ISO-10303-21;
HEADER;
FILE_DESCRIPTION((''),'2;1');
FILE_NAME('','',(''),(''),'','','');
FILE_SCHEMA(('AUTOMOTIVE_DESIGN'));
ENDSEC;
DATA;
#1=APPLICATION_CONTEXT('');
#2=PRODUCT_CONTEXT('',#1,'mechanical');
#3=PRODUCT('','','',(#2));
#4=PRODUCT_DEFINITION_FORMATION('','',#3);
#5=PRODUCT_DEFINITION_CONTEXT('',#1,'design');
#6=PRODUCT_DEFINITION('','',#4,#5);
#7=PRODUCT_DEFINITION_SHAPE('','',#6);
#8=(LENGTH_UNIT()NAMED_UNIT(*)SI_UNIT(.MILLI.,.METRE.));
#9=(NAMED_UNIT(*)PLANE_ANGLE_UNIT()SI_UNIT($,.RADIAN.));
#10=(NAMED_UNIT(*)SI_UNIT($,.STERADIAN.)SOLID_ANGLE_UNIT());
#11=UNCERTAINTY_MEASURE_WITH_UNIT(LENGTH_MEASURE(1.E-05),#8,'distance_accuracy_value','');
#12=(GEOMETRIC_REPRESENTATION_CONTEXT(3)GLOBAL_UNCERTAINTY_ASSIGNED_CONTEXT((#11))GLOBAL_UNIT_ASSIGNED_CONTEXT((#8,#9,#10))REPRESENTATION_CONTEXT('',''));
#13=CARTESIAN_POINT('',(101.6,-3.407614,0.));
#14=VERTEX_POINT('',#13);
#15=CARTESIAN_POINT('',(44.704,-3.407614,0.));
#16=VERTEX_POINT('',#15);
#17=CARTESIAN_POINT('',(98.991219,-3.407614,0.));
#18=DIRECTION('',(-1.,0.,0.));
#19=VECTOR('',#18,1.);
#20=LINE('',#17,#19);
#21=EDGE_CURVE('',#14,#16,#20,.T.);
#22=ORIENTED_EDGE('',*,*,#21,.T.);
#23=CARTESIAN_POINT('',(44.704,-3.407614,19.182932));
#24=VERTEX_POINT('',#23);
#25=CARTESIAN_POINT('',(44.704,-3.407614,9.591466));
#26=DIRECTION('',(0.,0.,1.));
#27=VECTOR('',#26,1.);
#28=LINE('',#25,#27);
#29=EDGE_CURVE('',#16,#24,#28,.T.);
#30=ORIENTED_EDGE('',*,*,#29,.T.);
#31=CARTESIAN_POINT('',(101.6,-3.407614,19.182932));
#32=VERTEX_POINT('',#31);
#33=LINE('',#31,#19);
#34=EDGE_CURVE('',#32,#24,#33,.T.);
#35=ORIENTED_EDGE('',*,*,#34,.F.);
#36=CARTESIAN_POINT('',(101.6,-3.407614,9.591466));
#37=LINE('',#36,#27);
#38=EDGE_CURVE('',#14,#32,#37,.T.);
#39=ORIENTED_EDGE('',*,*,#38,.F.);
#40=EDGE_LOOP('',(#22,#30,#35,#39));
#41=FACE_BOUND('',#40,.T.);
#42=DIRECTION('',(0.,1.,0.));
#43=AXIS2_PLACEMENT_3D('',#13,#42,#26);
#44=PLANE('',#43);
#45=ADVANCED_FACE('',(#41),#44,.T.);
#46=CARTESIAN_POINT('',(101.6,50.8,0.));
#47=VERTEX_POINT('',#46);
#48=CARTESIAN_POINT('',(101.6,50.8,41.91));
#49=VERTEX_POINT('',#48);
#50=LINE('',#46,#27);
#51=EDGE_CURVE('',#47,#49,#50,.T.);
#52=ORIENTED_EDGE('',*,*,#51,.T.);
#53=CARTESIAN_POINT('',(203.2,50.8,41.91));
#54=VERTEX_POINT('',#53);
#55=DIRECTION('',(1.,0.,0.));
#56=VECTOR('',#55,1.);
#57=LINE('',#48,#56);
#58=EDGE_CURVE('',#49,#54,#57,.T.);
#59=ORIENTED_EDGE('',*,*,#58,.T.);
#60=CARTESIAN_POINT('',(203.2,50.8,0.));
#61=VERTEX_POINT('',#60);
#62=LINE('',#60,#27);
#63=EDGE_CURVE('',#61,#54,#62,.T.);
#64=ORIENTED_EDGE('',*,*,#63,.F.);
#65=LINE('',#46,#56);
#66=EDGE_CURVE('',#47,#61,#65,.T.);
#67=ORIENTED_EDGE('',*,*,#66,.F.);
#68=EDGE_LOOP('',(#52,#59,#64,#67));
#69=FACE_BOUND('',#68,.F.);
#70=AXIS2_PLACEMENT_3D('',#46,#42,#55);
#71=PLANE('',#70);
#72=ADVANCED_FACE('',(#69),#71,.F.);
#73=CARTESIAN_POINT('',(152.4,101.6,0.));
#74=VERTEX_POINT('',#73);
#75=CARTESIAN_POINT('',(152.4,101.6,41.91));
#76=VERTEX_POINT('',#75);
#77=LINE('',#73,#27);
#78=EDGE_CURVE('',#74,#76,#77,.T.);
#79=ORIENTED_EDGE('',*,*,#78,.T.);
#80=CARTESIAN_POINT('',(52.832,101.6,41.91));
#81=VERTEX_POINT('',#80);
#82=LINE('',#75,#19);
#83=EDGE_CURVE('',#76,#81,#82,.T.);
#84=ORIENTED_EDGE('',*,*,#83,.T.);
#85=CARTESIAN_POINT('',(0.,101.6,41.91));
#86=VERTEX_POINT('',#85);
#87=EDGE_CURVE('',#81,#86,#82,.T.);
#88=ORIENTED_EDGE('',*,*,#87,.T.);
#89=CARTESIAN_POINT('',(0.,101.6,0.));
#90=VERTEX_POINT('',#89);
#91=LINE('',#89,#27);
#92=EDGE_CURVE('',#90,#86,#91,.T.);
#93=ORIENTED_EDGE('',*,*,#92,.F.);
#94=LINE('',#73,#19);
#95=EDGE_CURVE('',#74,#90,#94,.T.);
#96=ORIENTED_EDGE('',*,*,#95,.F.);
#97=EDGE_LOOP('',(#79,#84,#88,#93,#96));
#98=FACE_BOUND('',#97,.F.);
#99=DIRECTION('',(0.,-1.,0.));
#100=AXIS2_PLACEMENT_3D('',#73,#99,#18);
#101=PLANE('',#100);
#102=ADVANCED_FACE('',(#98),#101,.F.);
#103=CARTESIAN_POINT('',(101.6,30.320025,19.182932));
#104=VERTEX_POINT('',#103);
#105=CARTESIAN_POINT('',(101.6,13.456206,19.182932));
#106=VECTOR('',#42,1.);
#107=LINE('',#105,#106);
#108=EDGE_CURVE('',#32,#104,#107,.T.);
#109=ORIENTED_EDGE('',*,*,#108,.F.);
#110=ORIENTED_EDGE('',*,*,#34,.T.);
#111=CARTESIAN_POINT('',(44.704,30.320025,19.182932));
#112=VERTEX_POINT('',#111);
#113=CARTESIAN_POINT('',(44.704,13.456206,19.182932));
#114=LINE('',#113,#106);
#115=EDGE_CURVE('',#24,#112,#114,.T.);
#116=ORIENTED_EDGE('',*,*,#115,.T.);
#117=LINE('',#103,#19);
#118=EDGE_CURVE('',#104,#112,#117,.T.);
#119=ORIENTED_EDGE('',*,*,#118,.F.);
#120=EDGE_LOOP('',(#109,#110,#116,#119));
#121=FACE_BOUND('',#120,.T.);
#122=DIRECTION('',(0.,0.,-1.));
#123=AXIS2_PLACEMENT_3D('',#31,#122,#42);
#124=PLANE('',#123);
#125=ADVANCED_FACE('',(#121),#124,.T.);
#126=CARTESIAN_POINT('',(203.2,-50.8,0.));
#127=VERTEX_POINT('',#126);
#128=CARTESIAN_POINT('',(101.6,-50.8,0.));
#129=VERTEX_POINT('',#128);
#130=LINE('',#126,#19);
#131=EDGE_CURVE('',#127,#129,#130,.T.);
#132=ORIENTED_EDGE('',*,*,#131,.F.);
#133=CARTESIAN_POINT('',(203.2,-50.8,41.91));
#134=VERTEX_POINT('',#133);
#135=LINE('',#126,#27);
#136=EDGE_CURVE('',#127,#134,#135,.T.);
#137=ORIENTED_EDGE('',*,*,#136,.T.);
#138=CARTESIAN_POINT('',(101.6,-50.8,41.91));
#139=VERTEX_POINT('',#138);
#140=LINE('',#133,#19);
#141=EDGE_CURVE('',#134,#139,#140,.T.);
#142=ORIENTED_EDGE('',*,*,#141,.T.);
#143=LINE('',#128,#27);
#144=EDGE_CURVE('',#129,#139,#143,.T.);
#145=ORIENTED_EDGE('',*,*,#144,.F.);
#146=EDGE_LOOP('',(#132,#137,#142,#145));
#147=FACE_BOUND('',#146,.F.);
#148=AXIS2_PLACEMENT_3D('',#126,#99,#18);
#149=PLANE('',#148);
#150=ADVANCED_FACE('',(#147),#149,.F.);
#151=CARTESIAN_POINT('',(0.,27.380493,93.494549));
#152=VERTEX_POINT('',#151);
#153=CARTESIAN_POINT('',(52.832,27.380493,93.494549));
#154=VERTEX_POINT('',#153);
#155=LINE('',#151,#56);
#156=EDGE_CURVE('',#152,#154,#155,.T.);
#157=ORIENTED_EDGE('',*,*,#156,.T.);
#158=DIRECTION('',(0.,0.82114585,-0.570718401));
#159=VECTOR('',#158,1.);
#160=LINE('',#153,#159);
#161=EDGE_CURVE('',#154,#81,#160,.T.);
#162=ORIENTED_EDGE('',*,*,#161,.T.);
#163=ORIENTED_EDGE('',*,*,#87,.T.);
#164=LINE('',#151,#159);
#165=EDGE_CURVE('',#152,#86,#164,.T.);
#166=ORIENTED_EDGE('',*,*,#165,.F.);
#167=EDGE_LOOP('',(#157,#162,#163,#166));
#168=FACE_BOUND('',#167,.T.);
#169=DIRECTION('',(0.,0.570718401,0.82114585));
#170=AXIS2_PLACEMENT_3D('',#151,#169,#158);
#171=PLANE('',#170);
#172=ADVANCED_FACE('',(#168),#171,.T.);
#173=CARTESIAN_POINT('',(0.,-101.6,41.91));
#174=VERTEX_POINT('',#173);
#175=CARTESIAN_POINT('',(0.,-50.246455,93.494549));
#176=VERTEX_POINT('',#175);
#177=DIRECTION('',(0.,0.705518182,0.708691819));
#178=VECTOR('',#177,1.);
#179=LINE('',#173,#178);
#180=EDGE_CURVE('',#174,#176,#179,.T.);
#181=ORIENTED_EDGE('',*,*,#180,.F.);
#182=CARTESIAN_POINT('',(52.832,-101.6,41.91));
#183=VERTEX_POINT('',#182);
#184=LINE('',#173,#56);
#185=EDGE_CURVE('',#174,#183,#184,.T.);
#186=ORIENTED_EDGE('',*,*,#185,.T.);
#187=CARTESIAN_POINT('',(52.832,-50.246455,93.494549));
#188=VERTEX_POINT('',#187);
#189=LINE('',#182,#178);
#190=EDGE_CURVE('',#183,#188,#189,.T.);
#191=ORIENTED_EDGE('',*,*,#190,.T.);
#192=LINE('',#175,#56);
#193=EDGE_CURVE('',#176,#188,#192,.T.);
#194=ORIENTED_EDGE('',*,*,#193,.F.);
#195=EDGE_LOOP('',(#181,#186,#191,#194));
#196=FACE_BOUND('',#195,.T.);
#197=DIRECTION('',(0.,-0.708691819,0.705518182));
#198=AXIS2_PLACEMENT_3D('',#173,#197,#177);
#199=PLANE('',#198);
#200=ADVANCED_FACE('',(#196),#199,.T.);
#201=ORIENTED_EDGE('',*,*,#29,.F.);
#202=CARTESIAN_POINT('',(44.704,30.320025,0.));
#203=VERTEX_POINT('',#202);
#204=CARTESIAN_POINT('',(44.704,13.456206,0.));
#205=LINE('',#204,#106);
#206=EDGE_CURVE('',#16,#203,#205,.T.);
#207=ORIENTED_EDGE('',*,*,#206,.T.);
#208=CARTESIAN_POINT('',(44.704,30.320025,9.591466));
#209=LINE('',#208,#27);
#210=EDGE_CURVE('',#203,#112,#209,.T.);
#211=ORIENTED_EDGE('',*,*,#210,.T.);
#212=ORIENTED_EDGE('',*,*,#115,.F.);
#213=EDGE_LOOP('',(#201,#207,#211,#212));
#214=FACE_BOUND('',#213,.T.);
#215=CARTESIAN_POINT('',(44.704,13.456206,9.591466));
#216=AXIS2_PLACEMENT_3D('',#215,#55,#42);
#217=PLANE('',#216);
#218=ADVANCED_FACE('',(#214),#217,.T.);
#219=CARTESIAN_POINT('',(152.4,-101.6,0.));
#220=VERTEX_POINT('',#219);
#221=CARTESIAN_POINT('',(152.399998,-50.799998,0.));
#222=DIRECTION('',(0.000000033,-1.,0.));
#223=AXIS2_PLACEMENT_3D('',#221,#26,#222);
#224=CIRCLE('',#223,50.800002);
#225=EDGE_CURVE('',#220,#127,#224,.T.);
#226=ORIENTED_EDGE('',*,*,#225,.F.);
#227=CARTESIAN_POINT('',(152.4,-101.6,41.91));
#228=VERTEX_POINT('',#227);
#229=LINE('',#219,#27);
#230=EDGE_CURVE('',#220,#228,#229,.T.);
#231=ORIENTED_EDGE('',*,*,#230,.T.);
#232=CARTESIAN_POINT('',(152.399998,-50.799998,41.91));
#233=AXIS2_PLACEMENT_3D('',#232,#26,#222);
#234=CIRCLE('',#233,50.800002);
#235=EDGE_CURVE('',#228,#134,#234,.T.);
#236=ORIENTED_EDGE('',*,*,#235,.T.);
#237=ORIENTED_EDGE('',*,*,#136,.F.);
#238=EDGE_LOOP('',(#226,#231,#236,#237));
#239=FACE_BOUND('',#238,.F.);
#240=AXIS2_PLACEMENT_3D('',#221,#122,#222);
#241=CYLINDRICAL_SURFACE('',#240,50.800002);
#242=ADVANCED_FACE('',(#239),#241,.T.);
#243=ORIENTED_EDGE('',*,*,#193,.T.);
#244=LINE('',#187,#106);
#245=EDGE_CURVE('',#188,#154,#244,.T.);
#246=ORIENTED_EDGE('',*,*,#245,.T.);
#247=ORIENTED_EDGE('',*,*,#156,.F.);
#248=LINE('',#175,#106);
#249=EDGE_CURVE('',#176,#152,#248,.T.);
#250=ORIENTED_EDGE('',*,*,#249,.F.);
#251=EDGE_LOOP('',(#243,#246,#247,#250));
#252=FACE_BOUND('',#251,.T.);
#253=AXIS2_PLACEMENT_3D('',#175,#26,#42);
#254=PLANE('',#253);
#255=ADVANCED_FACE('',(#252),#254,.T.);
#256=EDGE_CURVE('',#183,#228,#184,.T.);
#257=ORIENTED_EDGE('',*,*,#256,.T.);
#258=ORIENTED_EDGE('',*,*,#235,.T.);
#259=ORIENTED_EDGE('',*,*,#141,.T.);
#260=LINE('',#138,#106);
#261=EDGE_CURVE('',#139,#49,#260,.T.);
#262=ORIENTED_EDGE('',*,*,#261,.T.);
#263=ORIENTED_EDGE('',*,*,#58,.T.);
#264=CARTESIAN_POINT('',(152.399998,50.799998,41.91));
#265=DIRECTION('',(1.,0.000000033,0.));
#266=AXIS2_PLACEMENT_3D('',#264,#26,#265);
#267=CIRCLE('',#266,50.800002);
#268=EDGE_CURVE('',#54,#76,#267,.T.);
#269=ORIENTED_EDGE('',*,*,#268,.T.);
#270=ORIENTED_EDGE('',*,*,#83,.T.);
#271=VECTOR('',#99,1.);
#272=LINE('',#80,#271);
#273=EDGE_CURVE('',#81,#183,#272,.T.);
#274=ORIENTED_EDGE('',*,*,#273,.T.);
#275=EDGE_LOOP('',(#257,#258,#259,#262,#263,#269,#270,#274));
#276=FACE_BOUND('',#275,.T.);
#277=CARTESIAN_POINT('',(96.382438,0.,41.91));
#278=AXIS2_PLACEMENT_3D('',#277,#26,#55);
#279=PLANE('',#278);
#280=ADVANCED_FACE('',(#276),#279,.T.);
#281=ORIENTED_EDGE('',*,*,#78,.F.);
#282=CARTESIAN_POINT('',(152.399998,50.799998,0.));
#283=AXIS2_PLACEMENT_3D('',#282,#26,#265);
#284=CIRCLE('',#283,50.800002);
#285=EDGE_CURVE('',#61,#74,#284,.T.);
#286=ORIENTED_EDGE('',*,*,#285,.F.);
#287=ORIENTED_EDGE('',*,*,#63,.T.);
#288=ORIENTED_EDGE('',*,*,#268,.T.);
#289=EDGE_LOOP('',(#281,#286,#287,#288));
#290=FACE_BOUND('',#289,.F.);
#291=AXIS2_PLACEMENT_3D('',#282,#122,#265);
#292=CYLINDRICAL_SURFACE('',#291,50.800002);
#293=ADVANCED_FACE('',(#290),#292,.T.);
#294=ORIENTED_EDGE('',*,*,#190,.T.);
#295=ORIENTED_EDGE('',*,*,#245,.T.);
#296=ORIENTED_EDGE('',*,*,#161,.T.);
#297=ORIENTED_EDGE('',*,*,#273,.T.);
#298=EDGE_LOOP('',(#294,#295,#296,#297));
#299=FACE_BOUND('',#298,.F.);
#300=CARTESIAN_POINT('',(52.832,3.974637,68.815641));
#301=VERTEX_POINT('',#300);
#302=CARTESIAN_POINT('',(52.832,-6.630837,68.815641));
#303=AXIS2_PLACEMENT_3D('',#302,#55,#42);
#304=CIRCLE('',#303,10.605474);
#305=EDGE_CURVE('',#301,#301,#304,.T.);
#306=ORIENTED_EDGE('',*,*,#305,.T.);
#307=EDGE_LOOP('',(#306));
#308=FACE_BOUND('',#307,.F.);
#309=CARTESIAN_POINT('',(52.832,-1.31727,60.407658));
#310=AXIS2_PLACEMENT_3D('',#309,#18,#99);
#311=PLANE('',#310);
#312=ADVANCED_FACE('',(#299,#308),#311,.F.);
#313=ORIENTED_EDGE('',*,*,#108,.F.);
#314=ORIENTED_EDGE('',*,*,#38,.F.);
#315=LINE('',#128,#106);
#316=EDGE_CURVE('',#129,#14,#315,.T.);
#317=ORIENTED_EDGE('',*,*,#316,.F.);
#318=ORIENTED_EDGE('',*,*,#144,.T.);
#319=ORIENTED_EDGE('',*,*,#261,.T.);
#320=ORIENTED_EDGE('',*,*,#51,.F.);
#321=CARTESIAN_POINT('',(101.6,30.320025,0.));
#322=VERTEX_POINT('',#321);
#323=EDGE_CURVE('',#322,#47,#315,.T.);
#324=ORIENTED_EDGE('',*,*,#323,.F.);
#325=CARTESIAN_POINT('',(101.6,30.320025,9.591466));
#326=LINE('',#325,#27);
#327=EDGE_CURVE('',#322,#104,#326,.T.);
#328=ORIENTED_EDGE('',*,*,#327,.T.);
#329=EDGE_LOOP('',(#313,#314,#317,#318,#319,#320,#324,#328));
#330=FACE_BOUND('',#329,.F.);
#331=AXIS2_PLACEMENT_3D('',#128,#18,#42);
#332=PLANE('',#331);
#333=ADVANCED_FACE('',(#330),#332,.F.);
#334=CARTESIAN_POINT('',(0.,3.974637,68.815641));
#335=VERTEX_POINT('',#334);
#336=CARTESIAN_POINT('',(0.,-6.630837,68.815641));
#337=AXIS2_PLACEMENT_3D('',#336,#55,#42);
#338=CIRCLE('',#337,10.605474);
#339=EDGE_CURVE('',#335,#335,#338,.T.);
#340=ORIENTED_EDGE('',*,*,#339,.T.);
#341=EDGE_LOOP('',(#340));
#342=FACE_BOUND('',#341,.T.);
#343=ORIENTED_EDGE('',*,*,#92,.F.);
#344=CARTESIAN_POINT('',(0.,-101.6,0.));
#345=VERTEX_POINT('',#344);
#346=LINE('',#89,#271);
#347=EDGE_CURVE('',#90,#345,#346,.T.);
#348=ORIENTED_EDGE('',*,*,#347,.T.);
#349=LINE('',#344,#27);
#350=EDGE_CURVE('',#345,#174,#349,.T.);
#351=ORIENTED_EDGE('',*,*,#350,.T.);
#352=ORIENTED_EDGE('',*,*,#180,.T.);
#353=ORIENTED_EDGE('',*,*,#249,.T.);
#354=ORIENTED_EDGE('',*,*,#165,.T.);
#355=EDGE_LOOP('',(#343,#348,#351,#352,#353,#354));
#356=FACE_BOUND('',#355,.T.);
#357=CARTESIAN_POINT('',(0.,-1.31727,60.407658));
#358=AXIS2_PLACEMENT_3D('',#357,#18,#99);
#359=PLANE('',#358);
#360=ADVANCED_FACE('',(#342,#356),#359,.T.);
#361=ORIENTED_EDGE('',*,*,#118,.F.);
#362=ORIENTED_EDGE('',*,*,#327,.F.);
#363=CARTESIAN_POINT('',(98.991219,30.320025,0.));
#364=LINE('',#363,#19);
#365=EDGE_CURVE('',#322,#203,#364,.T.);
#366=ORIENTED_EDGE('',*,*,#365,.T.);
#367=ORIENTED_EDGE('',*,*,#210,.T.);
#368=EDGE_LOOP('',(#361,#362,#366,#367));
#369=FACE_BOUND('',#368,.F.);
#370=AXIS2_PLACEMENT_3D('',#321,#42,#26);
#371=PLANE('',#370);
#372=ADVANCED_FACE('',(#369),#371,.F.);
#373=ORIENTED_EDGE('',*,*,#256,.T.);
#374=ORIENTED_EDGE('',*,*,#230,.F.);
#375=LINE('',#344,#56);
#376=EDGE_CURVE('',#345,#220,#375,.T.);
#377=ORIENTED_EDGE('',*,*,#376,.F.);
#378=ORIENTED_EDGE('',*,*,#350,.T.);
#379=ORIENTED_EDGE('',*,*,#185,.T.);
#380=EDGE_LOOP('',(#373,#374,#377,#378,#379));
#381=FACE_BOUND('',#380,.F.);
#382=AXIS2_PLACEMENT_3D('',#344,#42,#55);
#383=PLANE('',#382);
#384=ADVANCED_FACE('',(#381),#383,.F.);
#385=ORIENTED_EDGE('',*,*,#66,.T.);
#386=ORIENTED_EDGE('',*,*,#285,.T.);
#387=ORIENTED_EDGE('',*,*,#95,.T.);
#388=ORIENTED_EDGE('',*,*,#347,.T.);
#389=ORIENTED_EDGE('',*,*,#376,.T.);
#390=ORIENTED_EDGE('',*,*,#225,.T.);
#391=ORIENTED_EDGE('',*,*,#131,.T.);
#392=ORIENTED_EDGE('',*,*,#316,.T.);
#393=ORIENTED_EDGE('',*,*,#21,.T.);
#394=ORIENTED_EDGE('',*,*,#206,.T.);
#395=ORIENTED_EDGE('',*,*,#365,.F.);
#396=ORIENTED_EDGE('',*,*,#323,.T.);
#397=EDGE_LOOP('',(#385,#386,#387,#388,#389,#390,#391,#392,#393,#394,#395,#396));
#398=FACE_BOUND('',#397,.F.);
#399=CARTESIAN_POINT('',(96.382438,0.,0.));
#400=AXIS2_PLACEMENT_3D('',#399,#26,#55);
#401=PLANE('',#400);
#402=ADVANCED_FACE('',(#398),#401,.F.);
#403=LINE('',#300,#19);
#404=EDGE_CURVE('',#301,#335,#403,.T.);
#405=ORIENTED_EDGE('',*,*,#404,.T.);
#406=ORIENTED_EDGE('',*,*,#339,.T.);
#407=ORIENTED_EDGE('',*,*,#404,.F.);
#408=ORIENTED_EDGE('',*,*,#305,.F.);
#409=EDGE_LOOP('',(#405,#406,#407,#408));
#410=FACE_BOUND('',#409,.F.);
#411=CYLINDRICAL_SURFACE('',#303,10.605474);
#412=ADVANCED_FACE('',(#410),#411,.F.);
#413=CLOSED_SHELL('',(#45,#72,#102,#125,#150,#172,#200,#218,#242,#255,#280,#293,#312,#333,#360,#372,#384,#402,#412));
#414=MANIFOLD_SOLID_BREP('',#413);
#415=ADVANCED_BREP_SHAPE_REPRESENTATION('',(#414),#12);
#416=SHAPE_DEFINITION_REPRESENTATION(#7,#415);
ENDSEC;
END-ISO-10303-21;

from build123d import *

# Parameters (mm, degrees)
F1_DEPTH = 41.91
F3_DEPTH = 52.832
F4_R     = 10.605474
F5_DEPTH = 85.598
F6_W     = 33.727639
F6_H     = 19.182933
F7_DEPTH = 56.896


with BuildPart() as f1:
    # F0 (on Top) → F1 (new body)
    with BuildSketch(Plane.XY):
        with BuildLine():
            Line((0, 101.6), (0, -101.6))
            Line((0, -101.6), (152.4, -101.6))
            ThreePointArc((152.4, -101.6), (188.321024, -86.721024), (203.2, -50.8))
            Line((203.2, -50.8), (101.6, -50.8))
            Line((101.6, -50.8), (101.6, 50.8))
            Line((101.6, 50.8), (203.2, 50.8))
            ThreePointArc((203.2, 50.8), (188.321024, 86.721024), (152.4, 101.6))
            Line((152.4, 101.6), (0, 101.6))
        make_face()
    extrude(amount=F1_DEPTH)

    # F2 (on face) → F3 (join)
    with BuildSketch(Plane(origin=(0, 0, 0), x_dir=(0, -1, 0), z_dir=(-1, 0, 0))):
        Polygon((-27.380493, 93.494549), (-101.6, 41.91), (101.6, 41.91), (50.246455, 93.494549), align=None)
    extrude(amount=-F3_DEPTH)

    # F4 (on face) → F5 (cut)
    with BuildSketch(Plane.YZ.offset(52.832)):
        with Locations((-6.630837, 68.815641)):
            Circle(F4_R)
    extrude(amount=-F5_DEPTH, mode=Mode.SUBTRACT)

    # F6 (on face) → F7 (cut)
    with BuildSketch(Plane.YZ.offset(101.6)):
        with Locations((13.456206, 9.591466)):
            Rectangle(F6_W, F6_H)
    extrude(amount=-F7_DEPTH, mode=Mode.SUBTRACT)


solid = f1.part
